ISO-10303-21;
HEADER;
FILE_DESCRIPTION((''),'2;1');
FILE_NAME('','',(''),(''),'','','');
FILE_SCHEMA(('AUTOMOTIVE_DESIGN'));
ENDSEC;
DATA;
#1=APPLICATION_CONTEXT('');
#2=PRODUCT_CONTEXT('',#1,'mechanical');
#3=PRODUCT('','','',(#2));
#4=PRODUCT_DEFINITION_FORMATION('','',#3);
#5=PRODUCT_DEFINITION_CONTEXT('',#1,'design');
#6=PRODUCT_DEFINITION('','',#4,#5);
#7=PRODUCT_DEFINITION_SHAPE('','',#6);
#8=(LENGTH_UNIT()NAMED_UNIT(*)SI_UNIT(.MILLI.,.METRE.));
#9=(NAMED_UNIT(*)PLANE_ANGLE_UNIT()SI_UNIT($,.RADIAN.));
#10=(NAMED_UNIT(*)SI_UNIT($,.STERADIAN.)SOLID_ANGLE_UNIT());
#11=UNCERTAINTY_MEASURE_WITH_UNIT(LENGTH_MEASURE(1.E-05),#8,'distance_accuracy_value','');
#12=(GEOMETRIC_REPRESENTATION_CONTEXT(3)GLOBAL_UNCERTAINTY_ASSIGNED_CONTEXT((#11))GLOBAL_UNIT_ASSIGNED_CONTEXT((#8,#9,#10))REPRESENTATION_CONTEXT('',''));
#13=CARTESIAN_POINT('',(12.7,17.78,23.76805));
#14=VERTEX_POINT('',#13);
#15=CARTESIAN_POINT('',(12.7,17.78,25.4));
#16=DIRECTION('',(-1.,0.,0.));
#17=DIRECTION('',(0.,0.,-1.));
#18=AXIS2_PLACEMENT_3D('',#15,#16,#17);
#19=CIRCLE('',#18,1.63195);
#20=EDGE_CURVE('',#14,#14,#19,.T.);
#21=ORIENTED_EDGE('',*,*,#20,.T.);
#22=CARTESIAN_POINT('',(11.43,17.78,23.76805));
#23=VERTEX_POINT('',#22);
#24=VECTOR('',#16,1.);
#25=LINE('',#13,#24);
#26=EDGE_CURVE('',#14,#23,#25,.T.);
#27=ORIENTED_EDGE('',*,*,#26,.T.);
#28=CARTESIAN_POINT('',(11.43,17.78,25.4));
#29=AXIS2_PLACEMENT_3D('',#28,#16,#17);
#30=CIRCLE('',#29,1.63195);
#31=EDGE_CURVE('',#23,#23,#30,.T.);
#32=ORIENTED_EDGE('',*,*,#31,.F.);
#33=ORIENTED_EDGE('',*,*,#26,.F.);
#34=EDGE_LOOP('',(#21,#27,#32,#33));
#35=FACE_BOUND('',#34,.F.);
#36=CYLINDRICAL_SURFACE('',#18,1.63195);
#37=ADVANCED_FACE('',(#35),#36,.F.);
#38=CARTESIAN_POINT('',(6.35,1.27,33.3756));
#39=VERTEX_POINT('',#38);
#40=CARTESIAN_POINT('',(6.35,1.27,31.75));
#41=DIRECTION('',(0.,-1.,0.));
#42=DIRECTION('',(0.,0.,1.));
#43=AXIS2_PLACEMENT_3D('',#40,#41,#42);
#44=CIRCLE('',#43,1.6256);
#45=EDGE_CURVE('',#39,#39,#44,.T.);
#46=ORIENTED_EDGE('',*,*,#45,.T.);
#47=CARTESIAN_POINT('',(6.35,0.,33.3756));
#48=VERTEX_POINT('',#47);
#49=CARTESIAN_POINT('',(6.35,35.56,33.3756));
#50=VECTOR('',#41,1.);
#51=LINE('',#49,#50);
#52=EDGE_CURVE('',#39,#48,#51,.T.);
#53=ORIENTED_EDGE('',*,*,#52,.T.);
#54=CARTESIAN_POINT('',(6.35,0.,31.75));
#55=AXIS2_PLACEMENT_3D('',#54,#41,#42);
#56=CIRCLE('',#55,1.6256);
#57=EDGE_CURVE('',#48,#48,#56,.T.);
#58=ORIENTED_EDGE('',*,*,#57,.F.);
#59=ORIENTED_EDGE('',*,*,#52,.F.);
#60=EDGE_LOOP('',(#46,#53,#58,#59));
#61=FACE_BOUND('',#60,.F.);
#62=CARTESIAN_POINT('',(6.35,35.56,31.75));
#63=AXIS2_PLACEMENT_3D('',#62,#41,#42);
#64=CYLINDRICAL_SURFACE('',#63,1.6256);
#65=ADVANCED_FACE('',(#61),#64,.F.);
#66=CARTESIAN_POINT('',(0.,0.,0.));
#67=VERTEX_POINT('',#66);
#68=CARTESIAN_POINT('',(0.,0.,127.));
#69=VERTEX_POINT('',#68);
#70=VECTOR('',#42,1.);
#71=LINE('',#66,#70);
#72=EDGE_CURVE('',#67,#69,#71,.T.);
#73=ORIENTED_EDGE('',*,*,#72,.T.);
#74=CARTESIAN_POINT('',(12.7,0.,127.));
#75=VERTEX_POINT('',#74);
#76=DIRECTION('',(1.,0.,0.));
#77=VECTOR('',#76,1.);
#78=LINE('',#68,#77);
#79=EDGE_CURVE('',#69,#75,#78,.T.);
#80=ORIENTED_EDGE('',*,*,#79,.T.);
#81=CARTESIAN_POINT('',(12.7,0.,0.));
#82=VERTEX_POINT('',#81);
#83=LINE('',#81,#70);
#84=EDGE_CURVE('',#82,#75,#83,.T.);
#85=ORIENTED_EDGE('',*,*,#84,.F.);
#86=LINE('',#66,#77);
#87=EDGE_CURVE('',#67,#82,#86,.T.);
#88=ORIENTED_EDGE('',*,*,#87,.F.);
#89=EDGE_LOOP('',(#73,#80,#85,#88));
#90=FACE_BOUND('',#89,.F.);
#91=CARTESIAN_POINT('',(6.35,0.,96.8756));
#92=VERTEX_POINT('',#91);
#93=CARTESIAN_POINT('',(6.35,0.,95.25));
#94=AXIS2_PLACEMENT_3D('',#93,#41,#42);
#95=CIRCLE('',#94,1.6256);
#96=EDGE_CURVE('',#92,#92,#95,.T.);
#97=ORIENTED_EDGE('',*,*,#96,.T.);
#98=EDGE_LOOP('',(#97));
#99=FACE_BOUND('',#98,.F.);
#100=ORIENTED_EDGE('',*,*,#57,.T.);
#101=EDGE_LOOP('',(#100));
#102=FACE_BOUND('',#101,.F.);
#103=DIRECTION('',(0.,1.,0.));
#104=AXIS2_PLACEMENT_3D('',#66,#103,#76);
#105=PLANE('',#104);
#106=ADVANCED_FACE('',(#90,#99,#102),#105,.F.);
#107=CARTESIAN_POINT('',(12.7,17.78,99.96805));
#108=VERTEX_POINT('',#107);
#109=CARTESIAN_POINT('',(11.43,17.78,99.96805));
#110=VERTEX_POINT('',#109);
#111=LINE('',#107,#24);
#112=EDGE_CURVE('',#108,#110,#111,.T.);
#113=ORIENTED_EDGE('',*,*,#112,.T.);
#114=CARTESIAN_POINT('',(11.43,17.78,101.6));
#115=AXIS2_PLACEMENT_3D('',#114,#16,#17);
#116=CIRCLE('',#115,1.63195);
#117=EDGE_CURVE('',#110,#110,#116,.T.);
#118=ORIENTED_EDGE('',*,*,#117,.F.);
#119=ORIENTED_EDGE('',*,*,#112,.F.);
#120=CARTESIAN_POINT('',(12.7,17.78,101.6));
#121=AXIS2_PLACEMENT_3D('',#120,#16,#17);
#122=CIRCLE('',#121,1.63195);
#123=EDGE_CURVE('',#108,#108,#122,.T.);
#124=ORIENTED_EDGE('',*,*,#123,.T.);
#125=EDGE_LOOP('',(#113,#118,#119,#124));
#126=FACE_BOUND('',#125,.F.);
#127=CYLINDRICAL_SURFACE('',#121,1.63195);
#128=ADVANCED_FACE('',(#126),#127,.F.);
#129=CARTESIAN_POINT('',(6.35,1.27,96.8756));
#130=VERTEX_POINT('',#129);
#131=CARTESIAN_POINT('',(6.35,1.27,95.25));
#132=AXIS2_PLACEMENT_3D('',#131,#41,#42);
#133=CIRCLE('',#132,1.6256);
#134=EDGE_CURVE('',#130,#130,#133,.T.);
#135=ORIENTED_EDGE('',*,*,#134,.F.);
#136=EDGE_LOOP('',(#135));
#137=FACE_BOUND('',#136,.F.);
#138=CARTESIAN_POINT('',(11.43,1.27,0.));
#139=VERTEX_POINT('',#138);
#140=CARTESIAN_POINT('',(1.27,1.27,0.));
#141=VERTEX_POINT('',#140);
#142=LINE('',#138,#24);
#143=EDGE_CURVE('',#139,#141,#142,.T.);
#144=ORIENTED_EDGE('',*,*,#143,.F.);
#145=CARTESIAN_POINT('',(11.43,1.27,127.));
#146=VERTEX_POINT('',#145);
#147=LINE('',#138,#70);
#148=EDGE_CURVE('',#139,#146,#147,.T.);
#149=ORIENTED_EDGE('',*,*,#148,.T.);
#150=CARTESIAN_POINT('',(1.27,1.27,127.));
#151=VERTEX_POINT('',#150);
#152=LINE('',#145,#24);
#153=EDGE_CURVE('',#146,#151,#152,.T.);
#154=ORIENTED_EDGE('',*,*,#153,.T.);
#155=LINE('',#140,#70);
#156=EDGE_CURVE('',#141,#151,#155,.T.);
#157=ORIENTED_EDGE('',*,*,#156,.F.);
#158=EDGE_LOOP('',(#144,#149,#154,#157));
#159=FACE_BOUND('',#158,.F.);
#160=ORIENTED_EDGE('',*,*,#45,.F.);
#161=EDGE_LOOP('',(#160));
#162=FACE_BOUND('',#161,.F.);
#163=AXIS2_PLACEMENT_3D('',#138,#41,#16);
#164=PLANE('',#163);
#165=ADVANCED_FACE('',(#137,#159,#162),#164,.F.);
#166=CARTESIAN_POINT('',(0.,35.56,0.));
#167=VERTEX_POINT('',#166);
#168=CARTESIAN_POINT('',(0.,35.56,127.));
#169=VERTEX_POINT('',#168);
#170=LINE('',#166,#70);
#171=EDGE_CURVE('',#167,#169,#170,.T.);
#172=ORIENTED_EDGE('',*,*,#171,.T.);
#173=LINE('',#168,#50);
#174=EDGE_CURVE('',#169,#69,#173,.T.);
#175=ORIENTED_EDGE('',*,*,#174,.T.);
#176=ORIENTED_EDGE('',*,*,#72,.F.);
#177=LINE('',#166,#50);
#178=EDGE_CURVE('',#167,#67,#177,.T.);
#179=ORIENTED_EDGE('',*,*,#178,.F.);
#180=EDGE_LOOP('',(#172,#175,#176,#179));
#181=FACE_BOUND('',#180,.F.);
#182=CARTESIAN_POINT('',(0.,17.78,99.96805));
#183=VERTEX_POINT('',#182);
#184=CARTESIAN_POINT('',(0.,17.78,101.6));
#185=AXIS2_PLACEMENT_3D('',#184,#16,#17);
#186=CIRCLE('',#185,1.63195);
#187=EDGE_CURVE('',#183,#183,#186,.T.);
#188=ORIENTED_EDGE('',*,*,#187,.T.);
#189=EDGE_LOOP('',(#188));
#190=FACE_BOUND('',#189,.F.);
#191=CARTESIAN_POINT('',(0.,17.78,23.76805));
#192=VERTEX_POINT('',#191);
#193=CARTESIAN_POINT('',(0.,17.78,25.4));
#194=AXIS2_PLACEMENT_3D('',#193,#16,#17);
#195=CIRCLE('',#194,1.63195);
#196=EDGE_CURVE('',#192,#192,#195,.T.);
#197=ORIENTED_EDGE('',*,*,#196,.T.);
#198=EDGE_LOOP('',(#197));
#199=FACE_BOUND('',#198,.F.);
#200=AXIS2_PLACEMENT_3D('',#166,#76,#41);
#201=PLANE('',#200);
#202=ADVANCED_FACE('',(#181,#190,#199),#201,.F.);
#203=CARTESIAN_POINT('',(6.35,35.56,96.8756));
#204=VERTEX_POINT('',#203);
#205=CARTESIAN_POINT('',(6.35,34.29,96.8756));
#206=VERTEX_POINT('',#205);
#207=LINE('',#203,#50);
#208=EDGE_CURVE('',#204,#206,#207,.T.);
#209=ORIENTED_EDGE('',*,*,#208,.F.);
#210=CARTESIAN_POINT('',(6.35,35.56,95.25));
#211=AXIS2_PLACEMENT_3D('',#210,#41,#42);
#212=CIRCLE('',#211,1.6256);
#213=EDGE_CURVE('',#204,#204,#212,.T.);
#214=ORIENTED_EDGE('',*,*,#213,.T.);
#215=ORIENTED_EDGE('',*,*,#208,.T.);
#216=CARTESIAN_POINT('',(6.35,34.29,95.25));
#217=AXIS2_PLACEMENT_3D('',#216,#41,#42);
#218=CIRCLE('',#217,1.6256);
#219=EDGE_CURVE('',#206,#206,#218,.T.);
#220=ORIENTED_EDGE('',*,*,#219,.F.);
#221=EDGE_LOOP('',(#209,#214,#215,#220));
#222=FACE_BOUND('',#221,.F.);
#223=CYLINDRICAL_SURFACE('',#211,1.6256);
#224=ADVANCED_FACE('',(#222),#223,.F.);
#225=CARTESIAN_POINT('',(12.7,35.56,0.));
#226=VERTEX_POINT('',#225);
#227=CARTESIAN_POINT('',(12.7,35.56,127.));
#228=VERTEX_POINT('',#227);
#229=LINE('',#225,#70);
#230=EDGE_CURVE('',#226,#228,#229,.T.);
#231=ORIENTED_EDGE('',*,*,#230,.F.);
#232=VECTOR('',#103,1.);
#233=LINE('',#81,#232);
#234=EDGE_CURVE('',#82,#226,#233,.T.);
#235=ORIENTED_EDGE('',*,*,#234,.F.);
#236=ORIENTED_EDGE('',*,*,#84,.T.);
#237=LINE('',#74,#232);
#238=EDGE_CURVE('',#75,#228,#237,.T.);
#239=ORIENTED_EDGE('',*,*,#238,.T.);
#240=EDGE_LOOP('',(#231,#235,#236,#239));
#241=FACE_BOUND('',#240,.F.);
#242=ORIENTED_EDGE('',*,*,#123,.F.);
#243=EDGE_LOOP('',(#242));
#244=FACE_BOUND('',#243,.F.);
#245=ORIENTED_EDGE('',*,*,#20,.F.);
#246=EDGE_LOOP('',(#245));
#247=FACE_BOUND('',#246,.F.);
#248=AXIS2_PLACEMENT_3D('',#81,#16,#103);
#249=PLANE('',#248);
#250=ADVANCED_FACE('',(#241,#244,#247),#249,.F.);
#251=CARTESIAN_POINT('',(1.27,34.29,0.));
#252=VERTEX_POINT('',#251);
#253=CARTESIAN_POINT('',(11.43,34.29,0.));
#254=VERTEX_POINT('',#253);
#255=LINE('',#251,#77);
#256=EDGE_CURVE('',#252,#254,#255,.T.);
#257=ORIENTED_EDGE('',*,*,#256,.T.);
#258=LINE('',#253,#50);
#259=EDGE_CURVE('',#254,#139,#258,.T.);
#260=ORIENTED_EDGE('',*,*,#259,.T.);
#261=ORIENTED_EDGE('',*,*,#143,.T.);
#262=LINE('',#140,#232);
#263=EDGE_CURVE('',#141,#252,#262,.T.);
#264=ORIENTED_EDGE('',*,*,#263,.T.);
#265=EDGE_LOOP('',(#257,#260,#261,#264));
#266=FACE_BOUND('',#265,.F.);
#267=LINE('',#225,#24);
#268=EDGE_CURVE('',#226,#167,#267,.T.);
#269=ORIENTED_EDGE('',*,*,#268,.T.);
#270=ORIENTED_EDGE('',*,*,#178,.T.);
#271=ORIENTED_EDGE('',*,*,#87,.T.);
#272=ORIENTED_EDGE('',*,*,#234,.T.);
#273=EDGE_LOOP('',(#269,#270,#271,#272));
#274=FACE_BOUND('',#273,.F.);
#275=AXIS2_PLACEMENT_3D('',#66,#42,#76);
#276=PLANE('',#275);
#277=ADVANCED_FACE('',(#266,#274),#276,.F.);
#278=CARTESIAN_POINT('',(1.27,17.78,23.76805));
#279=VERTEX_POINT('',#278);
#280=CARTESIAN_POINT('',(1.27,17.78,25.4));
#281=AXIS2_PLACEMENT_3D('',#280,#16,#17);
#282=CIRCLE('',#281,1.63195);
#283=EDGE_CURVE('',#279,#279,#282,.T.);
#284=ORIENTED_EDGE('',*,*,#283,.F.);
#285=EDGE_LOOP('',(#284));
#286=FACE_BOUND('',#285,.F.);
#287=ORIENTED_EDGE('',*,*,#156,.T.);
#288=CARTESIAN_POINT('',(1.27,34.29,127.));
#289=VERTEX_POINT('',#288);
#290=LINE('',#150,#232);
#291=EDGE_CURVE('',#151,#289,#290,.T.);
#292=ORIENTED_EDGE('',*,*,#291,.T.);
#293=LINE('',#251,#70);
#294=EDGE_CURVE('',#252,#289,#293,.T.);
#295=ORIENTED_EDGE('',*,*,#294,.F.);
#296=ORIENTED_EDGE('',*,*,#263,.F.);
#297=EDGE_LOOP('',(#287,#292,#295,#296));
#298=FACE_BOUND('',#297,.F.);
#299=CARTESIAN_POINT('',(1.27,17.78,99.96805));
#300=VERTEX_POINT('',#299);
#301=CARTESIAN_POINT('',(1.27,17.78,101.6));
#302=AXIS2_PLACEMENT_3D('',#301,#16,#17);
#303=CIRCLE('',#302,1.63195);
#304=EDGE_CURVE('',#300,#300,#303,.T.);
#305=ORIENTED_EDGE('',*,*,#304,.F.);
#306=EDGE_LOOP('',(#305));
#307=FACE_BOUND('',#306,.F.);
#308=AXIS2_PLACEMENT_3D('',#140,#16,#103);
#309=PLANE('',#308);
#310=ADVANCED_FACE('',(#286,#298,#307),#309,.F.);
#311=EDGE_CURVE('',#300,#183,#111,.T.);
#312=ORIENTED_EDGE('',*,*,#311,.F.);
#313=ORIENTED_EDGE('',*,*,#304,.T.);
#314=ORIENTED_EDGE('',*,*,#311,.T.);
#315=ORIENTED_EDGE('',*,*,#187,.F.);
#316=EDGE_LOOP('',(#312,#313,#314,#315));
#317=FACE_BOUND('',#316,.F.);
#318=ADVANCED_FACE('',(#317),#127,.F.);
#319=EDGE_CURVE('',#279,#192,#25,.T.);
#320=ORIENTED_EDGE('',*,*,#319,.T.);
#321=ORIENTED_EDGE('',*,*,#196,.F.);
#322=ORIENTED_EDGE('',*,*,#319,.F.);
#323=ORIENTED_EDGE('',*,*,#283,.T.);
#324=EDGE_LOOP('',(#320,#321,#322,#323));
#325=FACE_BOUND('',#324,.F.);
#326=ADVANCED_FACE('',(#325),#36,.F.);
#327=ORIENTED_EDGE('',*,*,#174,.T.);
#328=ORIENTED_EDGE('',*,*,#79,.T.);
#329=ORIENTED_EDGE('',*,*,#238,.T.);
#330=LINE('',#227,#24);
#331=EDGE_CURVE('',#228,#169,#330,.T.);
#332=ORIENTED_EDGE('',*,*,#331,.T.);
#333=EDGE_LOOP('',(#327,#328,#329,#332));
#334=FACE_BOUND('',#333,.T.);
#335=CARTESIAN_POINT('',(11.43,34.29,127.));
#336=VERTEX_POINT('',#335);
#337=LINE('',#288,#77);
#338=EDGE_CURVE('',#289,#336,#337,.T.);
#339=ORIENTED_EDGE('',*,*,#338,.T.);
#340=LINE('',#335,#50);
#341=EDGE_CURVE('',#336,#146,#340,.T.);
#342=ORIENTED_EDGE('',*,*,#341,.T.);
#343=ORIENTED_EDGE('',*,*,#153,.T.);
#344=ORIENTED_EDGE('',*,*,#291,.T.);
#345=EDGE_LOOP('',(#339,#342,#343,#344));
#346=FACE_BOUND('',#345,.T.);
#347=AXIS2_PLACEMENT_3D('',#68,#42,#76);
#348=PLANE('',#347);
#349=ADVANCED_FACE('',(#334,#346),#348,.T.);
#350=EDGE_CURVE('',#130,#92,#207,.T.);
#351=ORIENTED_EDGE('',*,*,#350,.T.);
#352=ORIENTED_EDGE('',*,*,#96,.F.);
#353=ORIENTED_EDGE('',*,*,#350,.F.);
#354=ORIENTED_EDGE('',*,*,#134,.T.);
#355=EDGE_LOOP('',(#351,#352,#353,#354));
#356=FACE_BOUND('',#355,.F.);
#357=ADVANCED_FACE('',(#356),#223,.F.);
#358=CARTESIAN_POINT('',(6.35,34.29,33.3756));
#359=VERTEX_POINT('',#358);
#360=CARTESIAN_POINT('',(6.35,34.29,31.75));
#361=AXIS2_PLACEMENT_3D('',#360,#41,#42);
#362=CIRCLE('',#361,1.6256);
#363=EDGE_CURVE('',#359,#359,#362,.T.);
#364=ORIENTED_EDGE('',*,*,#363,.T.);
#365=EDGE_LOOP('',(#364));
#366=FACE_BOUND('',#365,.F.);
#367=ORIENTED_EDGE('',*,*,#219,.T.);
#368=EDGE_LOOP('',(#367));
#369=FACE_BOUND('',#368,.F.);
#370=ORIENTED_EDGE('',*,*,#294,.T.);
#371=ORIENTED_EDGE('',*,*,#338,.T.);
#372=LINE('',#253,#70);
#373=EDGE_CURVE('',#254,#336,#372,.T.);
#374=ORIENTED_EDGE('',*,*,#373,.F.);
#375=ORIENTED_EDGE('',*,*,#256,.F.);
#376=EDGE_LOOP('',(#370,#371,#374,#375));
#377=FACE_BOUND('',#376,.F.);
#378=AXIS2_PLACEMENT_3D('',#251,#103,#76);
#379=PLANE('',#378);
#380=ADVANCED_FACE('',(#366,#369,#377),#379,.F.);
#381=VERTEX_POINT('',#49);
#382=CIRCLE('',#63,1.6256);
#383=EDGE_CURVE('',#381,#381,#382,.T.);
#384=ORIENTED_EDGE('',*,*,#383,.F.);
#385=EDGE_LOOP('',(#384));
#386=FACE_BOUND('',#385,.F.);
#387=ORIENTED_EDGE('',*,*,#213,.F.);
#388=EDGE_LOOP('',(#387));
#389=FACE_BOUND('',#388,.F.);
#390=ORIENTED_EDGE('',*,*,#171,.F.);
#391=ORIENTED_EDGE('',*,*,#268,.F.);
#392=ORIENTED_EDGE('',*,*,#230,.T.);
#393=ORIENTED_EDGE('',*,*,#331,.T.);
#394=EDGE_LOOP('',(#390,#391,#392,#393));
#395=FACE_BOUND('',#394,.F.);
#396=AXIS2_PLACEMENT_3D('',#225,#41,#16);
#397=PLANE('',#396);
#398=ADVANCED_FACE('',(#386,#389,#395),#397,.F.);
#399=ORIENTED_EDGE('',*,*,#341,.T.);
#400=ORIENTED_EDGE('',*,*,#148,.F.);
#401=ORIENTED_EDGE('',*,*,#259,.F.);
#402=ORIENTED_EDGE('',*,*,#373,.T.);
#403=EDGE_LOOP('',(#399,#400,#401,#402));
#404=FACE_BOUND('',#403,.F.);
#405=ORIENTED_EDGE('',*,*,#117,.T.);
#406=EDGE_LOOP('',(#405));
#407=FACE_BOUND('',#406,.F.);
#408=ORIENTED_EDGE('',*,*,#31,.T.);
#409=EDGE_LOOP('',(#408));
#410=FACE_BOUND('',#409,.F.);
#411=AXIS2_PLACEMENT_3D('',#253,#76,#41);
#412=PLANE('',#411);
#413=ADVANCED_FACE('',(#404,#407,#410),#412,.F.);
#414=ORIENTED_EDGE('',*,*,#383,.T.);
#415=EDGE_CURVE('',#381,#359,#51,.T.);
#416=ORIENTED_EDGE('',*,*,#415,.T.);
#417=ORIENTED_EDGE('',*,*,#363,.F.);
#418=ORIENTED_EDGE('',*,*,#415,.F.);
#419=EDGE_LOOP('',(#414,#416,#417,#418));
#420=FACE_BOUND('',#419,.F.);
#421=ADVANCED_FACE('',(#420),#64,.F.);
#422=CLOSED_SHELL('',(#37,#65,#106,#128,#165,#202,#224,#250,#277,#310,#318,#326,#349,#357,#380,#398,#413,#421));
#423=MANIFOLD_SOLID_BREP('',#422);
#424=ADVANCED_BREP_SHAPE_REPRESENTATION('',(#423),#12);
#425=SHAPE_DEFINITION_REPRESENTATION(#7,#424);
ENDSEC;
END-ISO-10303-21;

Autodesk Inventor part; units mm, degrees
ref_plane "YZ Plane" through (0, 0, 0) normal (1, 0, 0) x (0, 1, 0)
ref_plane "XZ Plane" through (0, 0, 0) normal (0, 1, 0) x (-1, 0, 0)
ref_plane "XY Plane" through (0, 0, 0) normal (0, 0, 1) x (1, 0, 0)
sketch "Sketch1" plane through (0, 0, 0) normal (0, 0, 1) x (1, 0, 0)
  line L0 (0, 0) -> (12.7, 0)
  line L1 (12.7, 0) -> (12.7, 35.56)
  line L2 (12.7, 35.56) -> (0, 35.56)
  line L3 (0, 35.56) -> (0, 0)
  line L4 (1.27, 34.29) -> (11.43, 34.29)
  line L5 (11.43, 34.29) -> (11.43, 1.27)
  line L6 (11.43, 1.27) -> (1.27, 1.27)
  line L7 (1.27, 1.27) -> (1.27, 34.29)
  dimension "d0" = 35.56
  dimension "d1" = 12.7
  dimension "d2" = 1.27
extrude "Extrusion1" add sketch "Sketch1" along normal blind 127
sketch "Sketch2" plane through (12.7, 0, 0) normal (1, 0, 0) x (0, 0, -1)
  line L0 (-168.1044, 17.78) -> (-15.152, 17.78) construction
  line L1 (0, 0) -> (-127, 0) construction
  line L2 (-127, 0) -> (-127, 35.56) projected
  line L3 (0, 0) -> (0, 35.56) projected
  point P0 (-101.6, 17.78)
  point P1 (-25.4, 17.78)
  dimension "d5" = 17.78
  dimension "d6" = 25.4
  dimension "d7" = 25.4
hole "Hole1" at (12.7, 17.78, 101.6) at (12.7, 17.78, 25.4) direction (-1, 0, 0) diameter 3.2639 end through all
sketch "Sketch4" plane through (0, 35.56, 0) normal (0, 1, 0) x (1, 0, 0)
  line L0 (6.35, 23.2485) -> (6.35, -226.9955) construction
  line L1 (12.7, 0) -> (12.7, -127) construction
  line L2 (12.7, 0) -> (0, 0) projected
  line L3 (0, 0) -> (0, -127) projected
  line L4 (12.7, -127) -> (0, -127) projected
  line L5 (12.7, 0) -> (12.7, -127) projected
  point P0 (0, 0)
  point P1 (6.35, -31.75)
  point P2 (6.35, -95.25)
  dimension "d27" = 6.35
  dimension "d28" = 31.75
  dimension "d29" = 31.75
hole "Hole3" at (6.35, 35.56, 31.75) at (6.35, 35.56, 95.25) direction (0, -1, 0) diameter 3.2512 end through all
properties part number "000101"
